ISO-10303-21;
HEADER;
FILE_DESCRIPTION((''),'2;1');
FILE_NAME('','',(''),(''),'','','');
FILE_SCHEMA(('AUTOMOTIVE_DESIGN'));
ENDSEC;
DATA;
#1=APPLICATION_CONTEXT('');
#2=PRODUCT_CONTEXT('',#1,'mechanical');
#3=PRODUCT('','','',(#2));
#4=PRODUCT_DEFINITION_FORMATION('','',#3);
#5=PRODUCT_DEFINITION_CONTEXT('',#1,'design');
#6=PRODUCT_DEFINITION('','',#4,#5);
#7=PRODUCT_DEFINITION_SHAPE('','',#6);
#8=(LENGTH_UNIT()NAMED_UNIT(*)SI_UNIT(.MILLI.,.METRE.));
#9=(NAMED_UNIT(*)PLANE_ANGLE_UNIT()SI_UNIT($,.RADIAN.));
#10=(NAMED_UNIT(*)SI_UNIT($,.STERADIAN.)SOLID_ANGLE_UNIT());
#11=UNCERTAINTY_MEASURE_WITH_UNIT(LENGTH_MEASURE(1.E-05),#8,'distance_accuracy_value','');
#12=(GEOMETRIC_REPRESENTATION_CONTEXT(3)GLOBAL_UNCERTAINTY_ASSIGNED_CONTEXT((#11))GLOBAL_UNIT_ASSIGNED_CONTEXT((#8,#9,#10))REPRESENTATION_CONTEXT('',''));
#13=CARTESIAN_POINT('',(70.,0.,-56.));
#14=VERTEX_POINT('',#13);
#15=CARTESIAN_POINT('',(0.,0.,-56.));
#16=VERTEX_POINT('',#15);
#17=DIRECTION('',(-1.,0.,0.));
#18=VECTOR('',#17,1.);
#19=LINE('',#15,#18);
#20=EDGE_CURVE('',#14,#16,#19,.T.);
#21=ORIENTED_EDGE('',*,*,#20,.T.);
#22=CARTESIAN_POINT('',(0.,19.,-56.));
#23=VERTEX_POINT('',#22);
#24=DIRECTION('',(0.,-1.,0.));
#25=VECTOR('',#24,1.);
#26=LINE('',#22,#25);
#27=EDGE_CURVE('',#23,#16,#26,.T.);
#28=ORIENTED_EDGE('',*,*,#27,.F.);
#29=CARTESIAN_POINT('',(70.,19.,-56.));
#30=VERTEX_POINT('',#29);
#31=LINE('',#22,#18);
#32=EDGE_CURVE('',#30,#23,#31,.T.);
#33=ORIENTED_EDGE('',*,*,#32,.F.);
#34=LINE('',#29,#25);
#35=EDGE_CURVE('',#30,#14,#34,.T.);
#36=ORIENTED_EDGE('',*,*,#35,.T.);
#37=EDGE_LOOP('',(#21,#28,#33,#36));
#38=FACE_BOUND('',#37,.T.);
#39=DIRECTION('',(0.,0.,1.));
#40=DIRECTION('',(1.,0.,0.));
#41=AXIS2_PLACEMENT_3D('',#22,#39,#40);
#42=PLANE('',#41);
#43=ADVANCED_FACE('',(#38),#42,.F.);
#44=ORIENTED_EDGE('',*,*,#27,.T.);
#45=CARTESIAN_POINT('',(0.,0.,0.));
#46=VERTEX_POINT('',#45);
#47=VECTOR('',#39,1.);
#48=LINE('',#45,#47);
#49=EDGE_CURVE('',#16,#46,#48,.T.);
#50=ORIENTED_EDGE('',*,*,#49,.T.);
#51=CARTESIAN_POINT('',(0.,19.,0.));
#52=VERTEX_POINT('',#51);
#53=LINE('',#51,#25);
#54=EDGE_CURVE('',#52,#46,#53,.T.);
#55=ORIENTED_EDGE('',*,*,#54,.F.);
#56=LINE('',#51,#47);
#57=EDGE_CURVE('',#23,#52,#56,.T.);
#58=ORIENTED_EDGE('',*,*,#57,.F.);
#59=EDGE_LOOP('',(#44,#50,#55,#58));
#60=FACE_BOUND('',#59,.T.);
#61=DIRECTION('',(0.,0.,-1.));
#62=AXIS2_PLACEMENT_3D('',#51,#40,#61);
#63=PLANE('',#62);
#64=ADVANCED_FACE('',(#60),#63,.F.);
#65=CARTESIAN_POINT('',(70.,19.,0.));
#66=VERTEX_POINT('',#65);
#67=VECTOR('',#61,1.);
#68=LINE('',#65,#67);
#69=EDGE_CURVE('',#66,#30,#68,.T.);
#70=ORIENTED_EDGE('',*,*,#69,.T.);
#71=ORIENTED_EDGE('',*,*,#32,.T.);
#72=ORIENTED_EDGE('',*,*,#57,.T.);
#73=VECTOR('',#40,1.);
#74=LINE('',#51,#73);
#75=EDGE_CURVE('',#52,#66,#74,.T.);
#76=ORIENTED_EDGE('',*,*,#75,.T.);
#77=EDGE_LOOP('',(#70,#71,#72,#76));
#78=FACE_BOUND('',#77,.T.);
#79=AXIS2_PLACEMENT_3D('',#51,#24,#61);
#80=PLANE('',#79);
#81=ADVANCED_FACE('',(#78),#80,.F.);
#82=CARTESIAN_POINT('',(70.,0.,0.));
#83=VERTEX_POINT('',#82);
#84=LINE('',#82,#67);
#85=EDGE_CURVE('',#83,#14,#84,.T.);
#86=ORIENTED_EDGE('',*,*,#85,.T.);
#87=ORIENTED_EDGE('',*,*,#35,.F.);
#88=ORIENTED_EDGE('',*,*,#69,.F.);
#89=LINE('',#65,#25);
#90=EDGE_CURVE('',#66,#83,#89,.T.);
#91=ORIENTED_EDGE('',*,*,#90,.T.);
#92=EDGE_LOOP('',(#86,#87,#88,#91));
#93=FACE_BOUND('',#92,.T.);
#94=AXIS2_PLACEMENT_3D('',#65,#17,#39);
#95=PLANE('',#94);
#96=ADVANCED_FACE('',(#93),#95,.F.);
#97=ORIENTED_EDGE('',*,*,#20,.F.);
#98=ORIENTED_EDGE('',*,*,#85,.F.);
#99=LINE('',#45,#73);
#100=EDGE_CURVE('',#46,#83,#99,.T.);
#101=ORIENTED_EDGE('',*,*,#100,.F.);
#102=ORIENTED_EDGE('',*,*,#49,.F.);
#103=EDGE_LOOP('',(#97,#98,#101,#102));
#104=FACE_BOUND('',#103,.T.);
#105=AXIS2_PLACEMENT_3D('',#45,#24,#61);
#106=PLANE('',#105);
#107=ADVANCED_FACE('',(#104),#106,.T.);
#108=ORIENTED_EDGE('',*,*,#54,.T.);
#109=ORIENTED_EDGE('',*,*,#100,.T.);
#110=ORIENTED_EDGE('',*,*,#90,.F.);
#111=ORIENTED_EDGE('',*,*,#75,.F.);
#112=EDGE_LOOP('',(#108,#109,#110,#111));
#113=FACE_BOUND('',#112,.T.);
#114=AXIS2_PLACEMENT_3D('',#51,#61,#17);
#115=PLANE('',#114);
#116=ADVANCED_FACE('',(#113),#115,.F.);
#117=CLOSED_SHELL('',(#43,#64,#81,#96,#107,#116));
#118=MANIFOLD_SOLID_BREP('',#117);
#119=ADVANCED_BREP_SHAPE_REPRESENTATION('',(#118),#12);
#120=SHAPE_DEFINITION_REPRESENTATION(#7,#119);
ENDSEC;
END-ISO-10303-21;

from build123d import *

# Parameters (mm, degrees)
SKETCH_1_W      = 70
SKETCH_1_H      = 56
EXTRUDE_1_DEPTH = 19


with BuildPart() as part:
    # 草图1 → 凸台-拉伸1 (new body)
    with BuildSketch(Plane(origin=(0, 0, 0), x_dir=(1, 0, 0), z_dir=(0, 1, 0))):
        with Locations((35, 28)):
            Rectangle(SKETCH_1_W, SKETCH_1_H)
    extrude(amount=EXTRUDE_1_DEPTH)


solid = part.part
